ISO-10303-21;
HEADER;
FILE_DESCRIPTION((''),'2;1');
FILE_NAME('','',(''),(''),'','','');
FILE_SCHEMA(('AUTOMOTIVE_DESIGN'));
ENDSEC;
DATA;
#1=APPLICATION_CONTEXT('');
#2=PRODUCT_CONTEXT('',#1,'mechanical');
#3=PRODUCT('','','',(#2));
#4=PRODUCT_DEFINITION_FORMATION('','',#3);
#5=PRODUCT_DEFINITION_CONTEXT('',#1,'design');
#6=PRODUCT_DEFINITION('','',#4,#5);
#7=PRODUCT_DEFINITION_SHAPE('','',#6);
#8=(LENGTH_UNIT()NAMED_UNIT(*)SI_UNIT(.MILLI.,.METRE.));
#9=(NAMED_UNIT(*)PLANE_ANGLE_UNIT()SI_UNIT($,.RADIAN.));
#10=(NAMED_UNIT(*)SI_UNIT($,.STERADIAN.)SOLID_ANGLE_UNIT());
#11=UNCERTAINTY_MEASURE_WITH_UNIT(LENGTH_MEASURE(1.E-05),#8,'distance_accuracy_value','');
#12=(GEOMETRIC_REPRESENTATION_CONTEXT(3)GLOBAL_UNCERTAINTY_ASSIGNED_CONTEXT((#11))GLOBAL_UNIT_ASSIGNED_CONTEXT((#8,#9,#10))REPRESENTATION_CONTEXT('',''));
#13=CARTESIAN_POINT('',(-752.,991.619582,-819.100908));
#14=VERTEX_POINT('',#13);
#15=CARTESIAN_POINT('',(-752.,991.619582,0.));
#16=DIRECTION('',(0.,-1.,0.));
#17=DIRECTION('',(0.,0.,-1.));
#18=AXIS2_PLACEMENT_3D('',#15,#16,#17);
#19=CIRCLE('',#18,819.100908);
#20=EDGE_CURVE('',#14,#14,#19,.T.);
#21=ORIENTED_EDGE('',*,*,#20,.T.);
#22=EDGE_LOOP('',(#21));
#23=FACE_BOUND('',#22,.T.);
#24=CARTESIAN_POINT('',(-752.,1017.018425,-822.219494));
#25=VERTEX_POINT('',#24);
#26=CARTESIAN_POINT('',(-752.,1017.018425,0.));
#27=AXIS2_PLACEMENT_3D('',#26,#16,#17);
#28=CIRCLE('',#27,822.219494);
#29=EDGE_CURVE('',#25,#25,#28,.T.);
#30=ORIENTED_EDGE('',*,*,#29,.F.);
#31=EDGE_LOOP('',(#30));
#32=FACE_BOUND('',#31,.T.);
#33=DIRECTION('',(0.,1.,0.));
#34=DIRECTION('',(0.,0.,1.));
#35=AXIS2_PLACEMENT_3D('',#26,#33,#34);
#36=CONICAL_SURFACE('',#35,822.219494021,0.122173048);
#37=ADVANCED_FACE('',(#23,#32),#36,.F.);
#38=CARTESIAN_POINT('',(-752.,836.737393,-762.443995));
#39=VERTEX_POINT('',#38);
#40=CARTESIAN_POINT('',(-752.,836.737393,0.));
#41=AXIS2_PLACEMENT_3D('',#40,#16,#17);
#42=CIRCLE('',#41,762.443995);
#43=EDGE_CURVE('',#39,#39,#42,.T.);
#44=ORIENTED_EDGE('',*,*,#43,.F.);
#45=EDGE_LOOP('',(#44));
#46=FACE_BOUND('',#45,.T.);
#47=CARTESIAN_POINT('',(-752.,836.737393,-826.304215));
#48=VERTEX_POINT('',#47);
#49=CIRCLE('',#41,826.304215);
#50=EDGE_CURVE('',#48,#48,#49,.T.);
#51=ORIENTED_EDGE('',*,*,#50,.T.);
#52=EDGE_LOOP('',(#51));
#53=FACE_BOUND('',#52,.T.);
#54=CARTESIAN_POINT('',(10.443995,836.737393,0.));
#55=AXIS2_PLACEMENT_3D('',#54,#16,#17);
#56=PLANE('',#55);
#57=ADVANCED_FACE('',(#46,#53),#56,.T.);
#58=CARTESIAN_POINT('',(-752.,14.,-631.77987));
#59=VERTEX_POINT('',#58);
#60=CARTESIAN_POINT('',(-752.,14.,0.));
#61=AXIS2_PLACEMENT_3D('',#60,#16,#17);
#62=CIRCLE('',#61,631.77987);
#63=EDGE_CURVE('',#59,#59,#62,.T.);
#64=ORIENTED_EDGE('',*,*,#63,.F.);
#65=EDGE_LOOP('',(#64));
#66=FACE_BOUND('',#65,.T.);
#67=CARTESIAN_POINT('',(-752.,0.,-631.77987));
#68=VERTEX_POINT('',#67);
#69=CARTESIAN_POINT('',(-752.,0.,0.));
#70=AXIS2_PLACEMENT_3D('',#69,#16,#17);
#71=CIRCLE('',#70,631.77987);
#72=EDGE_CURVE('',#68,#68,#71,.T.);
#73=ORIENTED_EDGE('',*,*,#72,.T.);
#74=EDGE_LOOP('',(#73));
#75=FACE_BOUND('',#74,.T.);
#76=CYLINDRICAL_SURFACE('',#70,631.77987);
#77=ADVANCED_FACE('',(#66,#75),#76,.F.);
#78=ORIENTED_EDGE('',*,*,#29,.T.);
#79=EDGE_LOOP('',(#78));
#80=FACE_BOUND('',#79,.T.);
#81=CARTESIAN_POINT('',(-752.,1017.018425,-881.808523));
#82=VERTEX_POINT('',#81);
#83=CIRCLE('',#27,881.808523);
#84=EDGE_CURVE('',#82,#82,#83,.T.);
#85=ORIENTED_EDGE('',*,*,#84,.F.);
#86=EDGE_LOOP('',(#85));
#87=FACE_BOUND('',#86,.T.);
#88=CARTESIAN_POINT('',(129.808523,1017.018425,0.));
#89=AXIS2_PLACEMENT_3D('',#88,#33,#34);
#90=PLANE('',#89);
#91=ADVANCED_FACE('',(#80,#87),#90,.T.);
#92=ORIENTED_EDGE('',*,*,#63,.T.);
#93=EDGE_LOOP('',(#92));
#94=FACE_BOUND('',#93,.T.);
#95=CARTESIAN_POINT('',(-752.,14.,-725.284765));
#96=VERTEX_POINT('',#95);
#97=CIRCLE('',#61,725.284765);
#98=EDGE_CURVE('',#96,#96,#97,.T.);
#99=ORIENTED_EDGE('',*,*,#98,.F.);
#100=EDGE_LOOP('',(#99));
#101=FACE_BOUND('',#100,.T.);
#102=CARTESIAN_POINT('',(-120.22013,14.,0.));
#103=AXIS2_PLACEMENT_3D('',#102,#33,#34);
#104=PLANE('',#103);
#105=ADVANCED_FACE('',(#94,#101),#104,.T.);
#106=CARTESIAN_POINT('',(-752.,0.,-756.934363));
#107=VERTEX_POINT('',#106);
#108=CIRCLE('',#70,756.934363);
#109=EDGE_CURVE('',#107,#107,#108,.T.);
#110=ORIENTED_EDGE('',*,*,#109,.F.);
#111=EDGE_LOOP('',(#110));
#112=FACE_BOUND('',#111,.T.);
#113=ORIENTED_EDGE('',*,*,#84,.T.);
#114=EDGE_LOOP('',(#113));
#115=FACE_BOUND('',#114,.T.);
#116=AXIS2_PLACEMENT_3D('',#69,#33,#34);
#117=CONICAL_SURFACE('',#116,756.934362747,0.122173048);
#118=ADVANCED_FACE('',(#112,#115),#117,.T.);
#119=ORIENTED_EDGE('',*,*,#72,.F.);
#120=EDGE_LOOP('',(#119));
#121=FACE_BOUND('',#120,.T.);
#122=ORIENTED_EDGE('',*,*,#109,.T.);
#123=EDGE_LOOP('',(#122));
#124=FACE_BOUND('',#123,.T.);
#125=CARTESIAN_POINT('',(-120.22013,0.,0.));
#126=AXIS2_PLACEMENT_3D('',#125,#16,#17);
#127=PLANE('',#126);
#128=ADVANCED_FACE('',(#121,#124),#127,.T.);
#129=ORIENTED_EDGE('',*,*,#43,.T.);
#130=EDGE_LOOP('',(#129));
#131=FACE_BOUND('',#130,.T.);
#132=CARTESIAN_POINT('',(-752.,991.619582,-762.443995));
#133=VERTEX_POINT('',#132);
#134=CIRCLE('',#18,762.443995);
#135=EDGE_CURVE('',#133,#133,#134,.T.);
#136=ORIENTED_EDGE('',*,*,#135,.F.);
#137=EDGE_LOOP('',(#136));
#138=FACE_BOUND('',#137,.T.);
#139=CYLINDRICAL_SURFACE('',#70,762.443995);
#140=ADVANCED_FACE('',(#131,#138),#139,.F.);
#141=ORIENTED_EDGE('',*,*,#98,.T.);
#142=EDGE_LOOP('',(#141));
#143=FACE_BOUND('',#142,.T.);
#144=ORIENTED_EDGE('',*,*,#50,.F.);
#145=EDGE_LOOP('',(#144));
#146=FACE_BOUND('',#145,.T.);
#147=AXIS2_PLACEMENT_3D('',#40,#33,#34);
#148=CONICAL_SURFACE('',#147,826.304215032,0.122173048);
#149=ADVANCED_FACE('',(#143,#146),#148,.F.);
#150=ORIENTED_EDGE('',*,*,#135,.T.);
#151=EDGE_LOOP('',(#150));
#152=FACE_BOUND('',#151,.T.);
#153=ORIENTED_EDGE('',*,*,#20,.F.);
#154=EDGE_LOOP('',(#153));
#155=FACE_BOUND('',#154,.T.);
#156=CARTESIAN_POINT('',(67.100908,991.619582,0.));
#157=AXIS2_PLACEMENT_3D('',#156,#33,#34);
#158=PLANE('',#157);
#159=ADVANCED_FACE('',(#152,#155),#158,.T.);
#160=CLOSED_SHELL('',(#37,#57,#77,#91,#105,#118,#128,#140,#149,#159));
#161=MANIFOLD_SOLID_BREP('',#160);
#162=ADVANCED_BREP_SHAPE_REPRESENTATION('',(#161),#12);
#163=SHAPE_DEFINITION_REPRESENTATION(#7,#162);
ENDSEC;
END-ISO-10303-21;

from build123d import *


with BuildPart() as part:
    # 草图1 → 旋转1 (revolve)
    with BuildSketch(Plane.XY):
        Polygon((-120.220130321, 0), (4.934362747, 0), (129.808523439, 1017.018424575), (70.219494021, 1017.018424575), (67.100908272, 991.619581867), (10.443995457, 991.619581867), (10.443995457, 836.737393315), (74.304215032, 836.737393315), (-26.715234545, 14), (-120.220130321, 14), align=None)
    revolve(axis=Axis((-752, 0, 0), (0, 1, 0)))


solid = part.part
